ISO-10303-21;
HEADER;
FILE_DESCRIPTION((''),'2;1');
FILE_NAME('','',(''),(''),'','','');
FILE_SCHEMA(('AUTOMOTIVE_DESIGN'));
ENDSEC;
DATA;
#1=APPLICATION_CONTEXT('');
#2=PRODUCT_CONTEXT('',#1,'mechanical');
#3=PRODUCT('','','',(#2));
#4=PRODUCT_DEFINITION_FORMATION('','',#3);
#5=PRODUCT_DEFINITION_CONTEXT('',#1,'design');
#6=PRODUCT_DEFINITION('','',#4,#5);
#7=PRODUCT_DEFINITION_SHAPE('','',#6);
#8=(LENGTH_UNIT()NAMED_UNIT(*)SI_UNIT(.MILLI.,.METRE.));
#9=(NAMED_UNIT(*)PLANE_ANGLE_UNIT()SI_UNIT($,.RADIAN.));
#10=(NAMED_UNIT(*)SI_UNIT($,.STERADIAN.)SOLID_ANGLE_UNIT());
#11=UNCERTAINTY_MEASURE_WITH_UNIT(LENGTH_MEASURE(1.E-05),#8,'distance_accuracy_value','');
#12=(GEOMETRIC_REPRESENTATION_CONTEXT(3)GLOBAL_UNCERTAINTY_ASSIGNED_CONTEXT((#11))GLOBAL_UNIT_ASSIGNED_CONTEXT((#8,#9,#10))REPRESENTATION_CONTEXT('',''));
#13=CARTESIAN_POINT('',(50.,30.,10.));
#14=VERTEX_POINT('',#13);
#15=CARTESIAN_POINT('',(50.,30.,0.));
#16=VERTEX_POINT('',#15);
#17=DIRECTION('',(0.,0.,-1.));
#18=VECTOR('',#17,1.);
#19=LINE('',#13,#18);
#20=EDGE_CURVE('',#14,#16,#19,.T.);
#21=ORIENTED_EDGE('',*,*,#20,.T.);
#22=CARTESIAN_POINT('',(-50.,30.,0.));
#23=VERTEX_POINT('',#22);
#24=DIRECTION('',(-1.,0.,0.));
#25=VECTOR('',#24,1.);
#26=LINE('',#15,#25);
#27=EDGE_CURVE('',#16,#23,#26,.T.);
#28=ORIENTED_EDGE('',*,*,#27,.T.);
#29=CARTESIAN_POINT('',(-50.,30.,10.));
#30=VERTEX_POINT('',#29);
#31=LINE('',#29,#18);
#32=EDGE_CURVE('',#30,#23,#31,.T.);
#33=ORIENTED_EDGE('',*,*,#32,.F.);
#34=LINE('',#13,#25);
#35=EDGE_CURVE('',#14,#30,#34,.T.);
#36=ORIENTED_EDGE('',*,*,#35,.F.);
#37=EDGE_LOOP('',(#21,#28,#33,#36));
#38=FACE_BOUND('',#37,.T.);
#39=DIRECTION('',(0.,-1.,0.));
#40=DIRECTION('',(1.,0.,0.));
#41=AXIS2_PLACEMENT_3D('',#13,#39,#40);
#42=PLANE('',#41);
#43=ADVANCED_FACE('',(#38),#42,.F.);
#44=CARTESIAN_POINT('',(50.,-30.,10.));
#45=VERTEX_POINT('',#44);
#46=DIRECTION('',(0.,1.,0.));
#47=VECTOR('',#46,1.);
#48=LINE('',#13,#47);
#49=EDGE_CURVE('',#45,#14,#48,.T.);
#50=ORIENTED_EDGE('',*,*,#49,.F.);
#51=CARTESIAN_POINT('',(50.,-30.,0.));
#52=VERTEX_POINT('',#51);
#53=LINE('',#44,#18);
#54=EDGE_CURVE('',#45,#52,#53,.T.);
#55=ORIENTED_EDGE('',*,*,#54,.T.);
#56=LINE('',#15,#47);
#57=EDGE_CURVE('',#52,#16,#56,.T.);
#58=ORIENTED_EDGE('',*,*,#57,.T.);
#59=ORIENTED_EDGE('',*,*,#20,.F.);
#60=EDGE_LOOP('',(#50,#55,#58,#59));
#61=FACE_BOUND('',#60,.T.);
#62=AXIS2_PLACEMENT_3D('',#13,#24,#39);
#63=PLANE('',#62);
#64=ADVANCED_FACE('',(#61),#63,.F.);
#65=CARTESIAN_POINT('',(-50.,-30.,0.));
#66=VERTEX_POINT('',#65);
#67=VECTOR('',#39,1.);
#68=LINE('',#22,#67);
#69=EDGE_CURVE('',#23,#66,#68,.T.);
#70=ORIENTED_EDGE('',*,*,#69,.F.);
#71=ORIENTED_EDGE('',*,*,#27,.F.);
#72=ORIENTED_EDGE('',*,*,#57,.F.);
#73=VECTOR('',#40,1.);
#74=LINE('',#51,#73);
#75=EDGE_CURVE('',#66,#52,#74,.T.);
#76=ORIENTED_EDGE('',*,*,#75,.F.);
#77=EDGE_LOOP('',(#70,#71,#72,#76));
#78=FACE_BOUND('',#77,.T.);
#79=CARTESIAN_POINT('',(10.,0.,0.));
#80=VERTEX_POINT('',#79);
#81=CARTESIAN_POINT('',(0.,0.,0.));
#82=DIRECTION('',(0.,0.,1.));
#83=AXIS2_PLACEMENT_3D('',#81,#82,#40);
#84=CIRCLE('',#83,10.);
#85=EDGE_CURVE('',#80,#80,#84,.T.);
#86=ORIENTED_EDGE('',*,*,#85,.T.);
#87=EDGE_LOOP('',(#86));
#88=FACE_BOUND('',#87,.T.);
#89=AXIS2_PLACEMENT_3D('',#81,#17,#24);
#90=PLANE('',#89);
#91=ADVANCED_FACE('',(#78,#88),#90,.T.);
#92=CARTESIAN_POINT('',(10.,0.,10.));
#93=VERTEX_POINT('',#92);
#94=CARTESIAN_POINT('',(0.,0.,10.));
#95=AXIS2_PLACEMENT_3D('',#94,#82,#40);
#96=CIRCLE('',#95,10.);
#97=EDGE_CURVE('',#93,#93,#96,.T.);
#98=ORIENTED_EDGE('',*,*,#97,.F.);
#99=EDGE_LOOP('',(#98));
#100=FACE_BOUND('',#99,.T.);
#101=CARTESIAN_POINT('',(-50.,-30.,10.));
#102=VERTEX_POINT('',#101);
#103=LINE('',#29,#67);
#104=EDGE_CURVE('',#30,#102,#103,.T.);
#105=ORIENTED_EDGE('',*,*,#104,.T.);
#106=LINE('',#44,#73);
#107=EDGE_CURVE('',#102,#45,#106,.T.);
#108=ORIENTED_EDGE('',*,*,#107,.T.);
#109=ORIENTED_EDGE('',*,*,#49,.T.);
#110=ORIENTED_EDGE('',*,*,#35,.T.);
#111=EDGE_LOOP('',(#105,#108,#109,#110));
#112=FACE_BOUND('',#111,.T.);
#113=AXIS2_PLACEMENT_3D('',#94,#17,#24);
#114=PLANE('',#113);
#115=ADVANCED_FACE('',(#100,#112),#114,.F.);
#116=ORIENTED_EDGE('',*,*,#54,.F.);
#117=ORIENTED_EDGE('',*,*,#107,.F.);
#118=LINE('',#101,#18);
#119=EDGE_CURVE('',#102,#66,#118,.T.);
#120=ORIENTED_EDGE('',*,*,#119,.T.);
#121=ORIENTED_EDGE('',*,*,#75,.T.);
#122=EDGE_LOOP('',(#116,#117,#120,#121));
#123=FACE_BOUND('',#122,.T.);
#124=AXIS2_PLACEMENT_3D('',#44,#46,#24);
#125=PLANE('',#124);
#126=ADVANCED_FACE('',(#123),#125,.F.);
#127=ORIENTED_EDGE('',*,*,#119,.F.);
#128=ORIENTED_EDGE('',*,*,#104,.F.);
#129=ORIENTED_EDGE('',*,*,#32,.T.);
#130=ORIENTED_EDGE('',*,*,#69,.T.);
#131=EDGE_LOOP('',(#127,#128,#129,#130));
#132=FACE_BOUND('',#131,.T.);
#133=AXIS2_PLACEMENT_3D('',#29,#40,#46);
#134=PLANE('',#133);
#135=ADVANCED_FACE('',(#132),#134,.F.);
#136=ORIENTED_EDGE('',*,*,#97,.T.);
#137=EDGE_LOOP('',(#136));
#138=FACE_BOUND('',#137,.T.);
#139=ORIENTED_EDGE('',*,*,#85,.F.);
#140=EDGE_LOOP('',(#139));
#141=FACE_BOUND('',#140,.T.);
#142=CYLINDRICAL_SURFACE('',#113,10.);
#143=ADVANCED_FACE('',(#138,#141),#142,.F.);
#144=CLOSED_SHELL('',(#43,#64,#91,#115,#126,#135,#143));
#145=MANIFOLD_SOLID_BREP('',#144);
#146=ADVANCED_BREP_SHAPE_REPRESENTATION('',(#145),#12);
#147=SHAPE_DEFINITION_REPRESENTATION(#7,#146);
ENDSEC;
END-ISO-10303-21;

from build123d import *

# Parameters (mm, degrees)
SKETCH1_W           = 100
SKETCH1_H           = 60
SKETCH1_R           = 10
BOSS_EXTRUDE1_DEPTH = 10


with BuildPart() as part:
    # Sketch1 → Boss-Extrude1 (new body)
    with BuildSketch(Plane.XY):
        Rectangle(SKETCH1_W, SKETCH1_H)
        Circle(SKETCH1_R, mode=Mode.SUBTRACT)
    extrude(amount=BOSS_EXTRUDE1_DEPTH)


solid = part.part
